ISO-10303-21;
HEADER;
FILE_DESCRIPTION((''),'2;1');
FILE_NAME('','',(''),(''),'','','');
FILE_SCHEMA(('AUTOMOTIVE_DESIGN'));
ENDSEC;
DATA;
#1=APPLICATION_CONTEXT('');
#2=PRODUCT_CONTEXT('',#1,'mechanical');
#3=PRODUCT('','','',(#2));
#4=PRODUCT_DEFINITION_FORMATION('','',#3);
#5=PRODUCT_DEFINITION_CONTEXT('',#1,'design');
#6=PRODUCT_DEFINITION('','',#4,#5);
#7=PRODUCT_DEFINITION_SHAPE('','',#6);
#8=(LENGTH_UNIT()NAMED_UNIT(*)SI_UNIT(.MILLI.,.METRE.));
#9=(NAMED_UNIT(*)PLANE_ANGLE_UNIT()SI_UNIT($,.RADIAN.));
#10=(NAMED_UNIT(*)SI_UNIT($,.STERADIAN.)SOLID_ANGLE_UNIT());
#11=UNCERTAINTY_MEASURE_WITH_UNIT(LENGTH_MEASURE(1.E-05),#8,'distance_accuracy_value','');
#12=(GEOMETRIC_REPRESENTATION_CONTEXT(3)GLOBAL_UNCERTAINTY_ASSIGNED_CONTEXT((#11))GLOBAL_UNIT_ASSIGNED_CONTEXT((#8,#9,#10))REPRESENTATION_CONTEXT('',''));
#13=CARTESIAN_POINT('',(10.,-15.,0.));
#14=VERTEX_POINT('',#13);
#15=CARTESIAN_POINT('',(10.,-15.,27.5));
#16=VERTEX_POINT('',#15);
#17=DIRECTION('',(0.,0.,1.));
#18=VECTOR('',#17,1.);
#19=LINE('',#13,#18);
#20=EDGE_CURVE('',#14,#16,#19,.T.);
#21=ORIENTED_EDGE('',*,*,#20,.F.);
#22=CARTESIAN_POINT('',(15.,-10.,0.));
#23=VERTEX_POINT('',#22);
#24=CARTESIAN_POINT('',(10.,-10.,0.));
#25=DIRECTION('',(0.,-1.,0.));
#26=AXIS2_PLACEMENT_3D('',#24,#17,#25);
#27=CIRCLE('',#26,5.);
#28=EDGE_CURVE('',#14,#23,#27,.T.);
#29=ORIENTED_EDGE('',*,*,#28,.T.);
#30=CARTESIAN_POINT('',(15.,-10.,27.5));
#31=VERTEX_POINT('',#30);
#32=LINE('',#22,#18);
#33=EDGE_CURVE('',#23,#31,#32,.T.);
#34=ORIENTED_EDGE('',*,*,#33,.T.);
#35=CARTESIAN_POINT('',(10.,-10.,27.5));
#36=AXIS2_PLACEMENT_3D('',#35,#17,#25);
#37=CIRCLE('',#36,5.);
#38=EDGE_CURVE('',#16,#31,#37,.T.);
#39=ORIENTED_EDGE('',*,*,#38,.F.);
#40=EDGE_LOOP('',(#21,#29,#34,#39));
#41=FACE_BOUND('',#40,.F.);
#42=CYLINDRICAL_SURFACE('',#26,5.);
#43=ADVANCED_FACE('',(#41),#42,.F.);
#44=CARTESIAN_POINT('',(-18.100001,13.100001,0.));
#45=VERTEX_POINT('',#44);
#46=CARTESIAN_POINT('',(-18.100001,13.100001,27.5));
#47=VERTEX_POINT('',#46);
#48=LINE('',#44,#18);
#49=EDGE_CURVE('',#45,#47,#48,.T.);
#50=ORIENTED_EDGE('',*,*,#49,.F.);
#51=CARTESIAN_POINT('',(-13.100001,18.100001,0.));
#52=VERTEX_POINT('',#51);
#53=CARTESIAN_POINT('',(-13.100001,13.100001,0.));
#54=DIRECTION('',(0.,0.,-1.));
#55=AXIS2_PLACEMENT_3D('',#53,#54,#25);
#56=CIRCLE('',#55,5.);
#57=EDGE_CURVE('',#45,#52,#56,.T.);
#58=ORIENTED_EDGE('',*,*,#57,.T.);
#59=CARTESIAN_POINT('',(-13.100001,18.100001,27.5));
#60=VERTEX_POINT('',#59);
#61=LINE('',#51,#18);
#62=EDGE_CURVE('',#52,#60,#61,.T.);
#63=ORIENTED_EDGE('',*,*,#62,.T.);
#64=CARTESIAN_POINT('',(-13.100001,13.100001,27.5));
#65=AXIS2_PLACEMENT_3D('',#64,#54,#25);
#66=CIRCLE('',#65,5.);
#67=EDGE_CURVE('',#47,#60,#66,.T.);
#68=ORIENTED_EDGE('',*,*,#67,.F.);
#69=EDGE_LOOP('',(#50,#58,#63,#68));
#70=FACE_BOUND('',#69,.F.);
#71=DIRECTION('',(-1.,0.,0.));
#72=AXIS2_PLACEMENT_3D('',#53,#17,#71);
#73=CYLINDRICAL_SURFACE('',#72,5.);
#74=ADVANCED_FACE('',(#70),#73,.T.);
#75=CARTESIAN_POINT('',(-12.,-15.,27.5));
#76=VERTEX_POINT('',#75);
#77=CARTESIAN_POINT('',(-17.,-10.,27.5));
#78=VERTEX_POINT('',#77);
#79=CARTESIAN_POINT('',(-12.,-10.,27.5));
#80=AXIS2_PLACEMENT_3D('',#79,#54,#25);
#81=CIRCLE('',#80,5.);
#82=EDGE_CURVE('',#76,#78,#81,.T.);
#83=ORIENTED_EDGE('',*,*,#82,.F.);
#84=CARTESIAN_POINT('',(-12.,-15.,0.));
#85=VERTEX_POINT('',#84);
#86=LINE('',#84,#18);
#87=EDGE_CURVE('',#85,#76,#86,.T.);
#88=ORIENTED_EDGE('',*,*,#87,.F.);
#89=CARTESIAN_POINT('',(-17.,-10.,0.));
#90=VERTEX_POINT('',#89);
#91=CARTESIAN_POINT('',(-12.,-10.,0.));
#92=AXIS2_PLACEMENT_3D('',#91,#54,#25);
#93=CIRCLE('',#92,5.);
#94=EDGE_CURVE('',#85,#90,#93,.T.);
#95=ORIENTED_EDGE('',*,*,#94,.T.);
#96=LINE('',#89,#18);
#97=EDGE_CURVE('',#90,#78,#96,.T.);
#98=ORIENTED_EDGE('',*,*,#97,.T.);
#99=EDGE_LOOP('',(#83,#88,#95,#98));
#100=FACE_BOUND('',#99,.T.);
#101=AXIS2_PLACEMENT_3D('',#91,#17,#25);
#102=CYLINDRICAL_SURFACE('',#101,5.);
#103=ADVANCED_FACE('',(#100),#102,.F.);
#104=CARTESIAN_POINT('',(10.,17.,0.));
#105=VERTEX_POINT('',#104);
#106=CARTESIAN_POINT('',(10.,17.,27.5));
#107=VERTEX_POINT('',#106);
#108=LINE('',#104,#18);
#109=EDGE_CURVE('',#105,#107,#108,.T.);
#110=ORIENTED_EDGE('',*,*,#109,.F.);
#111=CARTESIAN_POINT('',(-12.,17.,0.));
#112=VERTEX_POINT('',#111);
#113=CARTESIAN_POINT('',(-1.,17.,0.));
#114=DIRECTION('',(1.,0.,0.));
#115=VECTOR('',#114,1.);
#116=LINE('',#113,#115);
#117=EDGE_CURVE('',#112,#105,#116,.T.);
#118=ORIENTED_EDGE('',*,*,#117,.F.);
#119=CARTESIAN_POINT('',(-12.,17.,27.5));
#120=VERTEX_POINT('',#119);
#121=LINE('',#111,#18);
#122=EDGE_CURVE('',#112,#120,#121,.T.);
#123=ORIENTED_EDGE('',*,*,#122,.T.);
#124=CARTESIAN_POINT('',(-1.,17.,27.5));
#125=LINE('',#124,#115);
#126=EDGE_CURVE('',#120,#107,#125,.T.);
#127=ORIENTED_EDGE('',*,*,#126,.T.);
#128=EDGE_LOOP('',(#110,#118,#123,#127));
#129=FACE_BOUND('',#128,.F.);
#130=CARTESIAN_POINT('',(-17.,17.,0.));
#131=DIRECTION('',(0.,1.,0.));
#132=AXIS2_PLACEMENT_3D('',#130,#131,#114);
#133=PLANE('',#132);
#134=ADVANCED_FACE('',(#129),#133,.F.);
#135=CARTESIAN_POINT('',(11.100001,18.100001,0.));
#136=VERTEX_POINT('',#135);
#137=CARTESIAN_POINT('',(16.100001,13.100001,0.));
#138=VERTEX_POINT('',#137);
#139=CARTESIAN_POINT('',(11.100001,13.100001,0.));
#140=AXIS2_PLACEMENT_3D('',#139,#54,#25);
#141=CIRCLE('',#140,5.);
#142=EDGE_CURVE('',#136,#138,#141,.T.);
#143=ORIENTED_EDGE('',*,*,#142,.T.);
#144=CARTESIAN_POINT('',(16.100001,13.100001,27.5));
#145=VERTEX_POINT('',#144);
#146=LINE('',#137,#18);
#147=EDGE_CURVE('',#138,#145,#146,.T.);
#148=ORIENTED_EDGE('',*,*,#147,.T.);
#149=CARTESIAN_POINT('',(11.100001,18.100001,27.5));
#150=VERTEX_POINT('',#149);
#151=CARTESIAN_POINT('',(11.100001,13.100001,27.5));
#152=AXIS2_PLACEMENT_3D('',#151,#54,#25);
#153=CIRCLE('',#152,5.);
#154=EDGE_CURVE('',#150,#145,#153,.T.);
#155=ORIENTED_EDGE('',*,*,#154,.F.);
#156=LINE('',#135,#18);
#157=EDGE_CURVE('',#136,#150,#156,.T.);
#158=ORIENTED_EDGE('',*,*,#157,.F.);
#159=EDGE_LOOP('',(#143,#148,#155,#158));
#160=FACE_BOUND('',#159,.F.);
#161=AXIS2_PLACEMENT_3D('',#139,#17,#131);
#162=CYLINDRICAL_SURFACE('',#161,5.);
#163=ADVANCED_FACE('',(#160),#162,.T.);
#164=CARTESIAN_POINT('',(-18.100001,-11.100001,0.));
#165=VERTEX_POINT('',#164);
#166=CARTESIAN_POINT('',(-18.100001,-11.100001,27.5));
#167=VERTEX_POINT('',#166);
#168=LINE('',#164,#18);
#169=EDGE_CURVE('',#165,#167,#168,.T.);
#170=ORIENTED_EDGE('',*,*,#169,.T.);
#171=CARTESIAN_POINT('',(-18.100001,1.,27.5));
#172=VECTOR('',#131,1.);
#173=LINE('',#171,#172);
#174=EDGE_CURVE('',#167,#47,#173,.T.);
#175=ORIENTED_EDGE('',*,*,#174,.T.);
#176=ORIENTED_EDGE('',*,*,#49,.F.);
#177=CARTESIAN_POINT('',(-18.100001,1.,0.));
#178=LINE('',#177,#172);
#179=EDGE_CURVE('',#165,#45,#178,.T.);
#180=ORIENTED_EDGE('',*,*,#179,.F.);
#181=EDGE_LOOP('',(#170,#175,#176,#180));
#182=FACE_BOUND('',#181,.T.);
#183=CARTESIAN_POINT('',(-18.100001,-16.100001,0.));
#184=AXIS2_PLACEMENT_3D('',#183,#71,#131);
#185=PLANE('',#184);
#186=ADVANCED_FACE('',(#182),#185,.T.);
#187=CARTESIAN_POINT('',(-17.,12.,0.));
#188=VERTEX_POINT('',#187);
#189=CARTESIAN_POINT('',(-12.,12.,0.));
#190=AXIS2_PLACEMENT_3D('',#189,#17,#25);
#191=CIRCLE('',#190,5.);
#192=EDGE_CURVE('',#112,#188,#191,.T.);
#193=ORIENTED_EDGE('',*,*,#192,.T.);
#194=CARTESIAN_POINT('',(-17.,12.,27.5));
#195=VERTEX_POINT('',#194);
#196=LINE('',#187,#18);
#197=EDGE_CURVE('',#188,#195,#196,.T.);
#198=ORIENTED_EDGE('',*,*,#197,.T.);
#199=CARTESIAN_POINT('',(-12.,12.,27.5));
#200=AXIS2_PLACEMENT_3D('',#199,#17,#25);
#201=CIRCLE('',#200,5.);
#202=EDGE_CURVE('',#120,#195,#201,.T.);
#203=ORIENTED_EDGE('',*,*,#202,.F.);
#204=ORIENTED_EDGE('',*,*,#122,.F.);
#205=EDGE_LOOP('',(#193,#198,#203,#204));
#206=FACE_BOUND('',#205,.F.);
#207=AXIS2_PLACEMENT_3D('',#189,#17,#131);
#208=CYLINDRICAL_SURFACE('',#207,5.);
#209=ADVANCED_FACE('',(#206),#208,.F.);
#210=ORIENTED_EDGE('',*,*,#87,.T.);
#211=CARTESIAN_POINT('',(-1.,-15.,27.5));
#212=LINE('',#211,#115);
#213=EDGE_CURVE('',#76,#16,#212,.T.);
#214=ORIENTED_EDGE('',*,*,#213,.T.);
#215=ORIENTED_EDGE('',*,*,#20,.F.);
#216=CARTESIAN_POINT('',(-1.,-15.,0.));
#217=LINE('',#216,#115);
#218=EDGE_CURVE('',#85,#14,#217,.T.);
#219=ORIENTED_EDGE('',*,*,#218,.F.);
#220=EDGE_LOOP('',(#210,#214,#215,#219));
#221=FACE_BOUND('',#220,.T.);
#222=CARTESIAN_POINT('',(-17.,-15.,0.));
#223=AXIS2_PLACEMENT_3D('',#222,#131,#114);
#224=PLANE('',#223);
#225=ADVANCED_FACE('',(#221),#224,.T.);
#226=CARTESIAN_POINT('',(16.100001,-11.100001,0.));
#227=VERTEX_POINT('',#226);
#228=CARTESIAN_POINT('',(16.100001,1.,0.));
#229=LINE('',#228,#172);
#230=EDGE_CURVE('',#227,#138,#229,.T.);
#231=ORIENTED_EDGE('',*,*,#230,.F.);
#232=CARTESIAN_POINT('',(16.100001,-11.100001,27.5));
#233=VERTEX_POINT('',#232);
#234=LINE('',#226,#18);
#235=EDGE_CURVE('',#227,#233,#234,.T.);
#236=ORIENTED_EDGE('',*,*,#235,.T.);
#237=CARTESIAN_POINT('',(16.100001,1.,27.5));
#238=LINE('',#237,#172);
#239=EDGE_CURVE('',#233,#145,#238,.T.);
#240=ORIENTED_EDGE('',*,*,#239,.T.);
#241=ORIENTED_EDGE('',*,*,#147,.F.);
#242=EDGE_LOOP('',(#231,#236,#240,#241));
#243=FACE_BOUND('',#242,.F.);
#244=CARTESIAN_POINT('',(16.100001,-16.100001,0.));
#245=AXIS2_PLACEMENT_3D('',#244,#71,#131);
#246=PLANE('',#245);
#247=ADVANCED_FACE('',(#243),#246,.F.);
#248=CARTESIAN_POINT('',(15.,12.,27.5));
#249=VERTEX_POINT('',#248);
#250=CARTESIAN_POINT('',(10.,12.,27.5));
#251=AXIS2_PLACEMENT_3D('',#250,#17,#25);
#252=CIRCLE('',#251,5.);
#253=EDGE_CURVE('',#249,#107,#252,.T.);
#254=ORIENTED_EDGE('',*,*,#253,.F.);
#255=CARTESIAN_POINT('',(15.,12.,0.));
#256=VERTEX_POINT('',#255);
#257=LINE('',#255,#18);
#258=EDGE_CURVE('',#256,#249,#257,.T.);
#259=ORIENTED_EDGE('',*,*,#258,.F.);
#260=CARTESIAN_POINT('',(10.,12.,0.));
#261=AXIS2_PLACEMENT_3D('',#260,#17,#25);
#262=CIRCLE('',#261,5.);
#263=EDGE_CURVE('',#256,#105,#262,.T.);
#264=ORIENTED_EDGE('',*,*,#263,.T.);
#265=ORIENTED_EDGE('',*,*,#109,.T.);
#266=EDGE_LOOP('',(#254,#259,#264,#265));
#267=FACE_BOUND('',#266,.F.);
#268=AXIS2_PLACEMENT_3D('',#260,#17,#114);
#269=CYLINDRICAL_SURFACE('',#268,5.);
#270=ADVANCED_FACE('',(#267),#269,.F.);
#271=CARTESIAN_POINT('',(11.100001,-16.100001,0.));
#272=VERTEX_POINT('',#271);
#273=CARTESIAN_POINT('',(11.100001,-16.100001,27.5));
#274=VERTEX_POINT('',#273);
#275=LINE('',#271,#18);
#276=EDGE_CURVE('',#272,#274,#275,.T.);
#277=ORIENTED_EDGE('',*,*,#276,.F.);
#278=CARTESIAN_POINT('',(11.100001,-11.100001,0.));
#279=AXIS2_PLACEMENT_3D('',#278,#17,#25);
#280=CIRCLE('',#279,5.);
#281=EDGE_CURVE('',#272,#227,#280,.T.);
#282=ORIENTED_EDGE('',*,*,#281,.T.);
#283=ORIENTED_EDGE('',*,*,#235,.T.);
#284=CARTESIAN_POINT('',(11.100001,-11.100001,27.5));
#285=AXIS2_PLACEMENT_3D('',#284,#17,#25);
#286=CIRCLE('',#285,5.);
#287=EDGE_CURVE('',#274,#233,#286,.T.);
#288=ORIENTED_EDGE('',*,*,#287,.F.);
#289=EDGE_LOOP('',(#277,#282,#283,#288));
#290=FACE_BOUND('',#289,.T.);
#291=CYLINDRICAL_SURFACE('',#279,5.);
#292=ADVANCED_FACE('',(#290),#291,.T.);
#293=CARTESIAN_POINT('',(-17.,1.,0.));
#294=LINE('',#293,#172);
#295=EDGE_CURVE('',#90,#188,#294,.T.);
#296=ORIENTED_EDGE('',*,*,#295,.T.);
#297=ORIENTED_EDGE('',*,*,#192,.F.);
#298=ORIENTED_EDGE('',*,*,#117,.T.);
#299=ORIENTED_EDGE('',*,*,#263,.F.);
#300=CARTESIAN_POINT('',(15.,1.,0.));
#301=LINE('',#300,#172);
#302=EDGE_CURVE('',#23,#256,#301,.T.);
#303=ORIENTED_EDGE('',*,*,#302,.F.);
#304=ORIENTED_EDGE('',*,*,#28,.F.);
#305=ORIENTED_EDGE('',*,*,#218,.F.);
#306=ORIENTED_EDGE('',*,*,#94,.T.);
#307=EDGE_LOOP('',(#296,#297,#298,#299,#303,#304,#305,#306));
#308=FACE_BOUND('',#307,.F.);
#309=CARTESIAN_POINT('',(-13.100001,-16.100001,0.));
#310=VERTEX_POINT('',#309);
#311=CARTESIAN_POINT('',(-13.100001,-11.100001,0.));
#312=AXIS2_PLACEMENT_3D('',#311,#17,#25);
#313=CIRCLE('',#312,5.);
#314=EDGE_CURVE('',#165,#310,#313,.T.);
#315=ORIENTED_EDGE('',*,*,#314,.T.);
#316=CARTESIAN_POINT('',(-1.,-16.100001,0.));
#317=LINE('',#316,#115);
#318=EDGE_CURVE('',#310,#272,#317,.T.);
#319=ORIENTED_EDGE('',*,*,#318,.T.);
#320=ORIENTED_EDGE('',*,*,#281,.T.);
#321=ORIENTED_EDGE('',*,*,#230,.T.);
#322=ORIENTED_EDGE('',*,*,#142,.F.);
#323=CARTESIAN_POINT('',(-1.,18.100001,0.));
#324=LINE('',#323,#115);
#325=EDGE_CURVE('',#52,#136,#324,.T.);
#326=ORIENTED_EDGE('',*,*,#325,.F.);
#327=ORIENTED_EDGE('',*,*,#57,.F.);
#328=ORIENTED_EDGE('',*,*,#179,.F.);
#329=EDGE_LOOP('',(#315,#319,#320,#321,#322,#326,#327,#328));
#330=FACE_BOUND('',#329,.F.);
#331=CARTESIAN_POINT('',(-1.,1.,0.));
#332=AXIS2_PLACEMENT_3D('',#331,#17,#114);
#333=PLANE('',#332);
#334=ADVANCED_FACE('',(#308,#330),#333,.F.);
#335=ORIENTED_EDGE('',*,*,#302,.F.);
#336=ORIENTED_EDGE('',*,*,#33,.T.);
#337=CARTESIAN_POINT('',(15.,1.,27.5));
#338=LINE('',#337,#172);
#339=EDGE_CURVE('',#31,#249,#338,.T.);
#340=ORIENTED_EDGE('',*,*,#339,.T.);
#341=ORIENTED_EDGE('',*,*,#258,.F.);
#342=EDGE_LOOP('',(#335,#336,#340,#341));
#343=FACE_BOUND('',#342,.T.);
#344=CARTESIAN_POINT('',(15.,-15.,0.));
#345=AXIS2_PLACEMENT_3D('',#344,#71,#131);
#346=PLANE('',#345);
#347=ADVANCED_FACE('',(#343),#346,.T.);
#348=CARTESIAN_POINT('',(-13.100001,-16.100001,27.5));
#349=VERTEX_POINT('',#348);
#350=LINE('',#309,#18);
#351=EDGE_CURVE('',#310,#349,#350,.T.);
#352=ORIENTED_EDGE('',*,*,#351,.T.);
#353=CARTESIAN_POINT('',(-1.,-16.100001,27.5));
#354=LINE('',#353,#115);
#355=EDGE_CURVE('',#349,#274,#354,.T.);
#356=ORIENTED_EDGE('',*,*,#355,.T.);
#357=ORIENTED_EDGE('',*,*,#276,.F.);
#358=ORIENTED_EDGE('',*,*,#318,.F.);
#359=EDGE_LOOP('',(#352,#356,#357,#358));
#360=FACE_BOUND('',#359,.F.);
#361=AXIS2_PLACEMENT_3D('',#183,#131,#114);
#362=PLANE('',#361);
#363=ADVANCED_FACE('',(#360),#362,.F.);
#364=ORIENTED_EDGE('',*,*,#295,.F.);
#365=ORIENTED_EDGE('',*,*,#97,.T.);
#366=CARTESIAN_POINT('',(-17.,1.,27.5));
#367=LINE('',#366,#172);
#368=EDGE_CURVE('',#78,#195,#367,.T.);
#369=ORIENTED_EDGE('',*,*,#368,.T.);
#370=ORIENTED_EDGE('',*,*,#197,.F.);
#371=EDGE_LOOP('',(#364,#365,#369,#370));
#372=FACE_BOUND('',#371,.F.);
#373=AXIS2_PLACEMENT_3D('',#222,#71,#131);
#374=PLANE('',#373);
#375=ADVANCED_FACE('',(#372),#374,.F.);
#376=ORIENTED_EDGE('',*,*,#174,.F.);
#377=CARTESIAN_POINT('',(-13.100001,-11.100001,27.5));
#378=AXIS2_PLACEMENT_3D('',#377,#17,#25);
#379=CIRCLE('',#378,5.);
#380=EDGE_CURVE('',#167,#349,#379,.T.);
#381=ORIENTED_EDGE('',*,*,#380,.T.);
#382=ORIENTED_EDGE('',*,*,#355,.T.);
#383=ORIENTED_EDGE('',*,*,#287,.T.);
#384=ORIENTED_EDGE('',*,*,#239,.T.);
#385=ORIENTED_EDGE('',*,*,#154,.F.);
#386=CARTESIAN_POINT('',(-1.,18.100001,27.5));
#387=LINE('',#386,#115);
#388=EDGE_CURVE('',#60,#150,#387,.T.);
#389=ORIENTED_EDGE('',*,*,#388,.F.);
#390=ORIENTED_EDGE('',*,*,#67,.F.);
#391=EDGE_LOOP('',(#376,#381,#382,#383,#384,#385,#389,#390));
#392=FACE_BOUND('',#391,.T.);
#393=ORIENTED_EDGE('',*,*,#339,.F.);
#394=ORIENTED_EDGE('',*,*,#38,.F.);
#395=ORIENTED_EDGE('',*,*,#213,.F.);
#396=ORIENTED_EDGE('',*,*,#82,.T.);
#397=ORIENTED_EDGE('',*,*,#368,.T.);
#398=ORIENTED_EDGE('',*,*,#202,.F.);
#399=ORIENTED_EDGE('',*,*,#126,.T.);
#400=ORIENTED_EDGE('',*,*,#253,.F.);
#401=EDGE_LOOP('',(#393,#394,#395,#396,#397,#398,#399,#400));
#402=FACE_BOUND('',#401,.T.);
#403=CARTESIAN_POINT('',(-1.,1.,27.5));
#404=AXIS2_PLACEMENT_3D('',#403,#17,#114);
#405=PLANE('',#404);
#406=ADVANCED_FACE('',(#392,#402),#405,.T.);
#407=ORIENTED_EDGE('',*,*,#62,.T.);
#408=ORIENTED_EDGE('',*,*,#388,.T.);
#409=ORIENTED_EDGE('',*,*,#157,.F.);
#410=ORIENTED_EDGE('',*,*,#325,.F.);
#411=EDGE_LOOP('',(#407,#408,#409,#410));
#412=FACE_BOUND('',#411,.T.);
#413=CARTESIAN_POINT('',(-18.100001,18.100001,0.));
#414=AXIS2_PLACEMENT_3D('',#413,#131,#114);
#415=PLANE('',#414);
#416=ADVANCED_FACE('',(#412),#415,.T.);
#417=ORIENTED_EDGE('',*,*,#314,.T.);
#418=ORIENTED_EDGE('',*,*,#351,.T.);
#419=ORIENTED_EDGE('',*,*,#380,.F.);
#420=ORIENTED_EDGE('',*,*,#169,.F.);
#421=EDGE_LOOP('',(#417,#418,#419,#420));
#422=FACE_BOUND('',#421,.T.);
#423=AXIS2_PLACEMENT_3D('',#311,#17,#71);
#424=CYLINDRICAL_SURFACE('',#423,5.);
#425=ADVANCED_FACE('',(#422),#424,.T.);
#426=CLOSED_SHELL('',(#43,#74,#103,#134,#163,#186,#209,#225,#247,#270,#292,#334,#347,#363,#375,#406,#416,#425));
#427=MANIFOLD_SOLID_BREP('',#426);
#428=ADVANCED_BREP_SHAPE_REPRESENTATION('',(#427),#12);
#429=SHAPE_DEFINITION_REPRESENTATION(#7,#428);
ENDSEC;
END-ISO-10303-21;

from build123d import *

# Parameters (mm, degrees)
F0_W     = 34.200002
F0_H     = 34.200002
F0_W_2   = 32
F0_H_2   = 32
F1_DEPTH = 27.5
F2_R     = 5


with BuildPart() as f1:
    # F0 (on Top) → F1 (new body)
    with BuildSketch(Plane.XY):
        with Locations((-1, 1)):
            Rectangle(F0_W, F0_H)
        with Locations((-1, 1)):
            Rectangle(F0_W_2, F0_H_2, mode=Mode.SUBTRACT)
    extrude(amount=F1_DEPTH)

    # F2
    f2_edges = [f1.edges().sort_by_distance(p)[0] for p in [
        (16.100001, -16.100001, 13.75),
        (16.100001, 18.100001, 13.75),
        (-18.100001, -16.100001, 13.75),
        (-17, 17, 13.75),
        (-17, -15, 13.75),
        (15, -15, 13.75),
        (15, 17, 13.75),
        (-18.100001, 18.100001, 13.75),
    ]]
    fillet(f2_edges, radius=F2_R)


solid = f1.part
